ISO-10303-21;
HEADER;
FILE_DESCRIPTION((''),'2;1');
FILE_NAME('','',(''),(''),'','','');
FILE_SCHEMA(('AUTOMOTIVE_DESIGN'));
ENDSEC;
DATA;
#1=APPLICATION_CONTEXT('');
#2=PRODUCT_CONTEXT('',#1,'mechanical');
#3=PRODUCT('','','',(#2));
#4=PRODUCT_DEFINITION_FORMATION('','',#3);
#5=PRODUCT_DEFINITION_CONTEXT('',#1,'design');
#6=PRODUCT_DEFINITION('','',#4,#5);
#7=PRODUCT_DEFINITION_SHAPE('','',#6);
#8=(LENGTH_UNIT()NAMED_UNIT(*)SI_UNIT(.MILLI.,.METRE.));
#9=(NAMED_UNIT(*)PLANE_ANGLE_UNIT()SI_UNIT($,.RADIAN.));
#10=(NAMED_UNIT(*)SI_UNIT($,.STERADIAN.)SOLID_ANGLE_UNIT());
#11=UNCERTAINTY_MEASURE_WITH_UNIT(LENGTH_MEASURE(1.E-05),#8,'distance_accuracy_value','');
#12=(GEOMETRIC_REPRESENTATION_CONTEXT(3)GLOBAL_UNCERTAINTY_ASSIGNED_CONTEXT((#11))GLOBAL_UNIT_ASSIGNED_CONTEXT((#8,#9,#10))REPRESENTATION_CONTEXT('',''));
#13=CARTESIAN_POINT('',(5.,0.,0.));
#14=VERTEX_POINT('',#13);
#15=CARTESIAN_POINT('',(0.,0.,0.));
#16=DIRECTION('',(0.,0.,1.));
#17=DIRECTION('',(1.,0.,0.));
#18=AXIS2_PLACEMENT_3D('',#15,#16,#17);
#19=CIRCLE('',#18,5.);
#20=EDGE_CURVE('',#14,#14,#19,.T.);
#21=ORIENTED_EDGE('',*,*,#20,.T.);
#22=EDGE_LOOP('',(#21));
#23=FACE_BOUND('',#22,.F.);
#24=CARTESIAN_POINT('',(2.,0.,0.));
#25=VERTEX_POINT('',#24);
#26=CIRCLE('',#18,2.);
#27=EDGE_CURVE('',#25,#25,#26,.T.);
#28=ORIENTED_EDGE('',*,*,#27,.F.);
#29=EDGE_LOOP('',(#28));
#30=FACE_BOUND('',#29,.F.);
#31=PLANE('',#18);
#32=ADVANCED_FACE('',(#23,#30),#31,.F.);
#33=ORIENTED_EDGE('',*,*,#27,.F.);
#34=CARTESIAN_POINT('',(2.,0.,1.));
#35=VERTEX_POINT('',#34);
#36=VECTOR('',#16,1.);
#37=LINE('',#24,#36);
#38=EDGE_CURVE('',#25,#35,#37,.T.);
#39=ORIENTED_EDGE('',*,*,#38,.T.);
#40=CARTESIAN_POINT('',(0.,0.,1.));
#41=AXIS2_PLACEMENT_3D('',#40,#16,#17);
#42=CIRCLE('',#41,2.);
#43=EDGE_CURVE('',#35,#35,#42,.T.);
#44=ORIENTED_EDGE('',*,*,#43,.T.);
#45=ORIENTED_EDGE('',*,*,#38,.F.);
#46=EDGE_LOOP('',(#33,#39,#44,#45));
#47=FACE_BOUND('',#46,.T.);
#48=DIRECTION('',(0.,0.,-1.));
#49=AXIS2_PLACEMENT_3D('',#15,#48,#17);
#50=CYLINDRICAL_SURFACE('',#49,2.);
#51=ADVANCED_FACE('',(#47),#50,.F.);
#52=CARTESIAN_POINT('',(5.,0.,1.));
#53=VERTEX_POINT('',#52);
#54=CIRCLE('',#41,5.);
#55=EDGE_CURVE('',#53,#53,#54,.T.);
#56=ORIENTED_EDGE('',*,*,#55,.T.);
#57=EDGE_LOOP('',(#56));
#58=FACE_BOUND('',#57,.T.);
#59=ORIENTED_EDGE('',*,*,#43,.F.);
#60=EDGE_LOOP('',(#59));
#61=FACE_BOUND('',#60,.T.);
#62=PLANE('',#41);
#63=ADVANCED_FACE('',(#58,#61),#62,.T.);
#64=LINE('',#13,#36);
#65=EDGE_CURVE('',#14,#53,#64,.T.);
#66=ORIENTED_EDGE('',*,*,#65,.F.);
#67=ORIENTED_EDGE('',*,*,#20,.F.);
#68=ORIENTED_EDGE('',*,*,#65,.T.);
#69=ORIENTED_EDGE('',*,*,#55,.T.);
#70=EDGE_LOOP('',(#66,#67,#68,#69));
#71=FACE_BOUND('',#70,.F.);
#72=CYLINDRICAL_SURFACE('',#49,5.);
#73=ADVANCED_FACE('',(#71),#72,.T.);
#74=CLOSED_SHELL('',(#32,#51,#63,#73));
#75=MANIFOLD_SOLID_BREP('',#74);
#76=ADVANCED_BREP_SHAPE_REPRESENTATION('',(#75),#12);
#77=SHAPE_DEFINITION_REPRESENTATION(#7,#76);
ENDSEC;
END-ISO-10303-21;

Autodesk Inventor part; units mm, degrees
ref_plane "YZ Plane" through (0, 0, 0) normal (1, 0, 0) x (0, 1, 0)
ref_plane "XZ Plane" through (0, 0, 0) normal (0, 1, 0) x (-1, 0, 0)
ref_plane "XY Plane" through (0, 0, 0) normal (0, 0, 1) x (1, 0, 0)
sketch "Boceto1" plane through (0, 0, 0) normal (0, 0, 1) x (1, 0, 0)
  circle A0 centre (0, 0) radius 5
  circle A1 centre (0, 0) radius 2
  dimension "d0" = 10
  dimension "d1" = 4
extrude "Extrusión1" add sketch "Boceto1" along normal blind 1
properties part number "arandela"
